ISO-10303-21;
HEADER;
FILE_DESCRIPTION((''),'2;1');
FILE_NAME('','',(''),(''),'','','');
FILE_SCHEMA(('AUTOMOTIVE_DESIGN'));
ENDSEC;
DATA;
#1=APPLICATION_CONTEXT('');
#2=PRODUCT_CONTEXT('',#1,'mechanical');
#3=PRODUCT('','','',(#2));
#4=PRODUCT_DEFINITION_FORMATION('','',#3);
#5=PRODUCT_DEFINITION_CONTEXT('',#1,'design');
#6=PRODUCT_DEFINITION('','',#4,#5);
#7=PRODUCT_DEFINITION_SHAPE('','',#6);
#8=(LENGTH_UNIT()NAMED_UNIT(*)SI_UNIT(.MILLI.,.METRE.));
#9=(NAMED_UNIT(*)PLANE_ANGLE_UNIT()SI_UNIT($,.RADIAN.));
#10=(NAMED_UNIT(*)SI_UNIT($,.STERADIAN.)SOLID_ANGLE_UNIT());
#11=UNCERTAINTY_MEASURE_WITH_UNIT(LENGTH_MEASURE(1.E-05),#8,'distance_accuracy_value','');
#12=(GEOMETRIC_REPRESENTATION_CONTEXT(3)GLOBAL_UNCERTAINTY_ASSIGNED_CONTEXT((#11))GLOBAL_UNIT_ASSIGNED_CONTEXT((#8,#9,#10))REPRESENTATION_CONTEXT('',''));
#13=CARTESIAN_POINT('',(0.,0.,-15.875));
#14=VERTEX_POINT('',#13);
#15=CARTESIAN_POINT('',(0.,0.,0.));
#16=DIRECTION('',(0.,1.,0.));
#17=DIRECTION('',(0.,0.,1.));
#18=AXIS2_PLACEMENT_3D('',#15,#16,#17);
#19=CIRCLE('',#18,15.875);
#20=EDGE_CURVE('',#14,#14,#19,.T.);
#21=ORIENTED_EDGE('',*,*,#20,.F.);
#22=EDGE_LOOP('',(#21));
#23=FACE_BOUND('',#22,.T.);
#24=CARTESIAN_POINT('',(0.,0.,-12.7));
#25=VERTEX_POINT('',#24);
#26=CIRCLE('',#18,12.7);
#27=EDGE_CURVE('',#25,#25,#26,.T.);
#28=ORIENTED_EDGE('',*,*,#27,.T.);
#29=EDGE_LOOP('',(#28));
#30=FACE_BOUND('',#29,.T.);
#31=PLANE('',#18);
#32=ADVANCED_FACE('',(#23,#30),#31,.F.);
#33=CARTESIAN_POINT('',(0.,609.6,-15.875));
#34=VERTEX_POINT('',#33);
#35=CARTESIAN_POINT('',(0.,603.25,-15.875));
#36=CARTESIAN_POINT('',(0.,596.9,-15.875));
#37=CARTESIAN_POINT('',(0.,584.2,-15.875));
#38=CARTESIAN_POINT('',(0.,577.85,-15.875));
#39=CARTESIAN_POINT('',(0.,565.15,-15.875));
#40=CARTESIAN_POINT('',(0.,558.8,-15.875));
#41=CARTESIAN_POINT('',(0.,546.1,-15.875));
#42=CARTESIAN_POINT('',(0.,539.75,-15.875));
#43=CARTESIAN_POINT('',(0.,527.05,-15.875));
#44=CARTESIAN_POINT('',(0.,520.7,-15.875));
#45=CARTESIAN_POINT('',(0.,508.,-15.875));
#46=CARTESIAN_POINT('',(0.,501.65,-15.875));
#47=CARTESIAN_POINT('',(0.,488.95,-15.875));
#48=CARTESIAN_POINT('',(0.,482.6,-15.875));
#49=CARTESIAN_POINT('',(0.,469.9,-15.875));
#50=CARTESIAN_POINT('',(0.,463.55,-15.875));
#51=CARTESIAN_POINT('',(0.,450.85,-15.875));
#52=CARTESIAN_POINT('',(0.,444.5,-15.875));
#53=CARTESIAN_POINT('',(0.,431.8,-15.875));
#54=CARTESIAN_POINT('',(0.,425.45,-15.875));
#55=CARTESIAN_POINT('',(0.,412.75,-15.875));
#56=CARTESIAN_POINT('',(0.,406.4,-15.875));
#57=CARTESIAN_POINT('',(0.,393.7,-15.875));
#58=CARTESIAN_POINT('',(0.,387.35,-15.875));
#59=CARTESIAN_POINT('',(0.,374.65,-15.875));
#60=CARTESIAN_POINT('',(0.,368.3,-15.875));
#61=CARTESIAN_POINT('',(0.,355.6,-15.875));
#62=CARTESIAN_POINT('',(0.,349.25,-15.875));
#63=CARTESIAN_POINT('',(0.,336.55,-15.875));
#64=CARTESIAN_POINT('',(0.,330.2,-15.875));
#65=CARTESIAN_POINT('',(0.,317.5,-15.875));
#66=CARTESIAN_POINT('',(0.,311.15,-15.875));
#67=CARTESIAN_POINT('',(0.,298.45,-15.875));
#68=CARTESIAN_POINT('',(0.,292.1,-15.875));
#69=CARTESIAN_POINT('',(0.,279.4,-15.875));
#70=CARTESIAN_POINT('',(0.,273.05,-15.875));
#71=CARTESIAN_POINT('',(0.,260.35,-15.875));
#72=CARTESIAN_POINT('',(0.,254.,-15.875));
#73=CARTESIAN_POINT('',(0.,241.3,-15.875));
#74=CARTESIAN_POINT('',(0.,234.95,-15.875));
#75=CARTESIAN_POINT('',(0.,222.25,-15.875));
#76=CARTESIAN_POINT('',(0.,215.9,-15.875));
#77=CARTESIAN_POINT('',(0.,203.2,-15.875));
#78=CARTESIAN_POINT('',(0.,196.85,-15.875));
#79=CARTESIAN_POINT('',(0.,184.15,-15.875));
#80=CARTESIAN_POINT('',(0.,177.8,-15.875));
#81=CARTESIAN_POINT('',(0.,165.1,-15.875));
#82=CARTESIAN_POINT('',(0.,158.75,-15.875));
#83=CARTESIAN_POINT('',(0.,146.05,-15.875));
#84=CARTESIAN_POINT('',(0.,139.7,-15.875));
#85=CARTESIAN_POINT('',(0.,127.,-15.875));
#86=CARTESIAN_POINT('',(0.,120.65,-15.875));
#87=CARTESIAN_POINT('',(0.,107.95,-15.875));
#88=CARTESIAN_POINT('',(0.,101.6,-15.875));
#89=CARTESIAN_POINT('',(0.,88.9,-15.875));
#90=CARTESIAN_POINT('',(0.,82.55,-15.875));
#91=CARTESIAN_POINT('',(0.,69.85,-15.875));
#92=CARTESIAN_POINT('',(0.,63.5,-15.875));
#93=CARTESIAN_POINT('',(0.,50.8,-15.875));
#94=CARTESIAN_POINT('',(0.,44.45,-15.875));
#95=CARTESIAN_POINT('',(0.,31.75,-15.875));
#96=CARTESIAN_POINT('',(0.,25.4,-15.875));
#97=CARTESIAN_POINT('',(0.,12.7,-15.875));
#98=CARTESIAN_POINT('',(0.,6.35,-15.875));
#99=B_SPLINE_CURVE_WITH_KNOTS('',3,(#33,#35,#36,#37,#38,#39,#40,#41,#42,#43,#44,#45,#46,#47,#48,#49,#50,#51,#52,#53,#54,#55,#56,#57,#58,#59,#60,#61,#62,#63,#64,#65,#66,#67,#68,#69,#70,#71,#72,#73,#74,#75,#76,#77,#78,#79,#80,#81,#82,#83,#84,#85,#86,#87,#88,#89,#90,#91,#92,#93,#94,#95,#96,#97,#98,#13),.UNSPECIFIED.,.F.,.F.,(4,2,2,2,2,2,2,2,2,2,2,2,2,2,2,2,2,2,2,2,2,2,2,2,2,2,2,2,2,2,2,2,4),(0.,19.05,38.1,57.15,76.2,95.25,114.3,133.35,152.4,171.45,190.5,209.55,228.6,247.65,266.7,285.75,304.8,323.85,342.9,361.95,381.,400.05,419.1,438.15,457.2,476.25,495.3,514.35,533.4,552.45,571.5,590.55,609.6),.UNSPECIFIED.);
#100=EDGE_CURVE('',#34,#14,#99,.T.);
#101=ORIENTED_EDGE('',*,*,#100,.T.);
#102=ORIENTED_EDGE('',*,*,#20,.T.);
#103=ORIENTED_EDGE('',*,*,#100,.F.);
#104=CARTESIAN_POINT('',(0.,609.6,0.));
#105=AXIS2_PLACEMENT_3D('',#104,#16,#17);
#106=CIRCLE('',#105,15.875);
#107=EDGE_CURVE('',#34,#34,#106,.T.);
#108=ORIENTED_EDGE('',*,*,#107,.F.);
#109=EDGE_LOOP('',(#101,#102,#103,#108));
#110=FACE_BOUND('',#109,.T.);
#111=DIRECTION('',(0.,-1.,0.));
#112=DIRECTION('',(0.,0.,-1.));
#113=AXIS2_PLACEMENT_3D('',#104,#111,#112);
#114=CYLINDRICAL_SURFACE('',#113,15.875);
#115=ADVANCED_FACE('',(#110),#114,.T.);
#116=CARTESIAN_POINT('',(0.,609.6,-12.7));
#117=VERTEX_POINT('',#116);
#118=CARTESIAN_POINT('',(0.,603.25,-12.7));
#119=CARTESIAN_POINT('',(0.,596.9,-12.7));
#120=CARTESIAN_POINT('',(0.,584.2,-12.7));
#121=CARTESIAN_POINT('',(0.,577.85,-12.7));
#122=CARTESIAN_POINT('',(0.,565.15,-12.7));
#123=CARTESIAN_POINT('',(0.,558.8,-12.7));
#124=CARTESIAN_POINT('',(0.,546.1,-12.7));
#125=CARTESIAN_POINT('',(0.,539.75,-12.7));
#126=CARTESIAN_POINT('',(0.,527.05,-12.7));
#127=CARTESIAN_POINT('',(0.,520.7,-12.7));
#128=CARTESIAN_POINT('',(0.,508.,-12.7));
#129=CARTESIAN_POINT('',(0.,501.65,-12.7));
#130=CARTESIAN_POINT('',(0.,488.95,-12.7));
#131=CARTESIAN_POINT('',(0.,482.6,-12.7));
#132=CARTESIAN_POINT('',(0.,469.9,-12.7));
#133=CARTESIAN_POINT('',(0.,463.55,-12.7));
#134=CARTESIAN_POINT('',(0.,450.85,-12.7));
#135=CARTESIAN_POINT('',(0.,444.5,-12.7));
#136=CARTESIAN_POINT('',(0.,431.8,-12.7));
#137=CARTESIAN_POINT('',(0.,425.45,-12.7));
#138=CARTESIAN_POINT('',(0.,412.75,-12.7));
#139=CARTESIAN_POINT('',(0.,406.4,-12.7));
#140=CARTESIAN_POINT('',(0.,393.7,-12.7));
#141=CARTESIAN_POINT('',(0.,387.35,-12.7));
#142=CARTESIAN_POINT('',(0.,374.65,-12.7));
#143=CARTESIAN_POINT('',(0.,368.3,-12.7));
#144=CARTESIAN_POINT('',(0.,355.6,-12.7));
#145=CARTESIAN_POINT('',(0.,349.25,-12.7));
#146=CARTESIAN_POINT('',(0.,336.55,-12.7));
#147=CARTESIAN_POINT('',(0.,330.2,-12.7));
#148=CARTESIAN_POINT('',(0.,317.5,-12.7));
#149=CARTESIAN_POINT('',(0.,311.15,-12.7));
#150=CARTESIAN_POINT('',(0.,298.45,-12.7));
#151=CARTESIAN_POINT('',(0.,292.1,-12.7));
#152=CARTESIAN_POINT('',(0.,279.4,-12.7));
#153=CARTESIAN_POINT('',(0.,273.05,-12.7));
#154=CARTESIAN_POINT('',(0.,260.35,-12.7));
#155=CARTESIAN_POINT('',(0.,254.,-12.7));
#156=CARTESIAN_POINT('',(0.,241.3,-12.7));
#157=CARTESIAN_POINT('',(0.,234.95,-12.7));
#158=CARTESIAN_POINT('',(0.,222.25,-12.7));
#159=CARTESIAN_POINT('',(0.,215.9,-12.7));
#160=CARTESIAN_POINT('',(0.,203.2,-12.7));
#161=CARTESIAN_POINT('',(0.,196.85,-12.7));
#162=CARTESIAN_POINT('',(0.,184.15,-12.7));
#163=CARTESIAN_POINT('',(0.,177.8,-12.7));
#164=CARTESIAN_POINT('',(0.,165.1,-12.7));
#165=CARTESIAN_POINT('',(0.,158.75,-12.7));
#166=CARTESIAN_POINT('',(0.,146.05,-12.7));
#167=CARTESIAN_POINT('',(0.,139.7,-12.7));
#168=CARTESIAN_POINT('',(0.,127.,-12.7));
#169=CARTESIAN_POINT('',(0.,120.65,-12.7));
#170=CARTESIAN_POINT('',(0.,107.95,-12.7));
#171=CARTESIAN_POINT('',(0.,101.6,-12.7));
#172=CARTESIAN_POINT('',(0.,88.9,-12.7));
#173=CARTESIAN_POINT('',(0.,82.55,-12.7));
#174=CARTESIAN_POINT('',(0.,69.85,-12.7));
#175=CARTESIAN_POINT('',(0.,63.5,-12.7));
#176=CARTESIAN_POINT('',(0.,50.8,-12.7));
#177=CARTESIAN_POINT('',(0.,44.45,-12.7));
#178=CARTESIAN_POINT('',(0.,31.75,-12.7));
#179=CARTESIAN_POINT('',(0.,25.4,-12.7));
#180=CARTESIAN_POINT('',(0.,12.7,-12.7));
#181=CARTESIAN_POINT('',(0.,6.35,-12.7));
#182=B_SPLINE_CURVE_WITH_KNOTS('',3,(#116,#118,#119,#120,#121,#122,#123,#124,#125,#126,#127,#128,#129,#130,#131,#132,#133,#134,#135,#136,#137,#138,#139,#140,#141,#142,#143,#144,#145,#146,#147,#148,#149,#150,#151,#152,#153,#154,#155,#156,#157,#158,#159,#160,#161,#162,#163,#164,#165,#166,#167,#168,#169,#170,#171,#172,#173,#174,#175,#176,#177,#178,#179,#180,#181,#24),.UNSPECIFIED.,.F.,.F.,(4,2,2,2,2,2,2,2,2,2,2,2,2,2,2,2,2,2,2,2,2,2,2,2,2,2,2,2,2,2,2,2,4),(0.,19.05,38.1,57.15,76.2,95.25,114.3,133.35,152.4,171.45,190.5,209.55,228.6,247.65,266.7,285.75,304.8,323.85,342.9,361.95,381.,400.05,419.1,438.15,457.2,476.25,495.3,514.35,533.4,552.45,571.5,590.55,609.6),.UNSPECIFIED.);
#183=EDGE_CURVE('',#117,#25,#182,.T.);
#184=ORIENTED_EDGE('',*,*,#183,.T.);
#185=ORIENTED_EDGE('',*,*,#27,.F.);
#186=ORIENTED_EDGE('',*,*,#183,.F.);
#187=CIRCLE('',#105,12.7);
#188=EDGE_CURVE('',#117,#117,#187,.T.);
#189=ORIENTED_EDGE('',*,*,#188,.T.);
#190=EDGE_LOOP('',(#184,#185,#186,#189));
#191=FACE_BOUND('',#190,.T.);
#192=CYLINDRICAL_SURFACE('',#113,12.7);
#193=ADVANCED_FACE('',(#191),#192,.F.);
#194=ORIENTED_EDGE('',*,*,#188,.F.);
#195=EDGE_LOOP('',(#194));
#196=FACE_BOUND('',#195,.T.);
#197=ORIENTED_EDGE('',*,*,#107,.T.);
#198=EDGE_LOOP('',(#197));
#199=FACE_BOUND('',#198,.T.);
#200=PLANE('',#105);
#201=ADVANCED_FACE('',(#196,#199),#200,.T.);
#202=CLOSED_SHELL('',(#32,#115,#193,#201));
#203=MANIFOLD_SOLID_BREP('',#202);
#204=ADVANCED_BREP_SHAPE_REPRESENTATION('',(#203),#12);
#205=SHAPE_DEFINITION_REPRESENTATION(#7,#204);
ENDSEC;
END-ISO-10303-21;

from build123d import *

# Parameters (mm, degrees)
SKETCH1_R             = 15.875
SKETCH1_R_2           = 12.7
SHAFT_EXTRUSION_DEPTH = 609.6


with BuildPart() as part:
    # Sketch1 → Shaft extrusion (new body)
    with BuildSketch(Plane(origin=(0, 0, 0), x_dir=(1, 0, 0), z_dir=(0, 1, 0))):
        with Locations(Location((0, 0, 0), (0, 0, 90))):
            Circle(SKETCH1_R)
        with Locations(Location((0, 0, 0), (0, 0, 90))):
            Circle(SKETCH1_R_2, mode=Mode.SUBTRACT)
    extrude(amount=SHAFT_EXTRUSION_DEPTH)


solid = part.part
